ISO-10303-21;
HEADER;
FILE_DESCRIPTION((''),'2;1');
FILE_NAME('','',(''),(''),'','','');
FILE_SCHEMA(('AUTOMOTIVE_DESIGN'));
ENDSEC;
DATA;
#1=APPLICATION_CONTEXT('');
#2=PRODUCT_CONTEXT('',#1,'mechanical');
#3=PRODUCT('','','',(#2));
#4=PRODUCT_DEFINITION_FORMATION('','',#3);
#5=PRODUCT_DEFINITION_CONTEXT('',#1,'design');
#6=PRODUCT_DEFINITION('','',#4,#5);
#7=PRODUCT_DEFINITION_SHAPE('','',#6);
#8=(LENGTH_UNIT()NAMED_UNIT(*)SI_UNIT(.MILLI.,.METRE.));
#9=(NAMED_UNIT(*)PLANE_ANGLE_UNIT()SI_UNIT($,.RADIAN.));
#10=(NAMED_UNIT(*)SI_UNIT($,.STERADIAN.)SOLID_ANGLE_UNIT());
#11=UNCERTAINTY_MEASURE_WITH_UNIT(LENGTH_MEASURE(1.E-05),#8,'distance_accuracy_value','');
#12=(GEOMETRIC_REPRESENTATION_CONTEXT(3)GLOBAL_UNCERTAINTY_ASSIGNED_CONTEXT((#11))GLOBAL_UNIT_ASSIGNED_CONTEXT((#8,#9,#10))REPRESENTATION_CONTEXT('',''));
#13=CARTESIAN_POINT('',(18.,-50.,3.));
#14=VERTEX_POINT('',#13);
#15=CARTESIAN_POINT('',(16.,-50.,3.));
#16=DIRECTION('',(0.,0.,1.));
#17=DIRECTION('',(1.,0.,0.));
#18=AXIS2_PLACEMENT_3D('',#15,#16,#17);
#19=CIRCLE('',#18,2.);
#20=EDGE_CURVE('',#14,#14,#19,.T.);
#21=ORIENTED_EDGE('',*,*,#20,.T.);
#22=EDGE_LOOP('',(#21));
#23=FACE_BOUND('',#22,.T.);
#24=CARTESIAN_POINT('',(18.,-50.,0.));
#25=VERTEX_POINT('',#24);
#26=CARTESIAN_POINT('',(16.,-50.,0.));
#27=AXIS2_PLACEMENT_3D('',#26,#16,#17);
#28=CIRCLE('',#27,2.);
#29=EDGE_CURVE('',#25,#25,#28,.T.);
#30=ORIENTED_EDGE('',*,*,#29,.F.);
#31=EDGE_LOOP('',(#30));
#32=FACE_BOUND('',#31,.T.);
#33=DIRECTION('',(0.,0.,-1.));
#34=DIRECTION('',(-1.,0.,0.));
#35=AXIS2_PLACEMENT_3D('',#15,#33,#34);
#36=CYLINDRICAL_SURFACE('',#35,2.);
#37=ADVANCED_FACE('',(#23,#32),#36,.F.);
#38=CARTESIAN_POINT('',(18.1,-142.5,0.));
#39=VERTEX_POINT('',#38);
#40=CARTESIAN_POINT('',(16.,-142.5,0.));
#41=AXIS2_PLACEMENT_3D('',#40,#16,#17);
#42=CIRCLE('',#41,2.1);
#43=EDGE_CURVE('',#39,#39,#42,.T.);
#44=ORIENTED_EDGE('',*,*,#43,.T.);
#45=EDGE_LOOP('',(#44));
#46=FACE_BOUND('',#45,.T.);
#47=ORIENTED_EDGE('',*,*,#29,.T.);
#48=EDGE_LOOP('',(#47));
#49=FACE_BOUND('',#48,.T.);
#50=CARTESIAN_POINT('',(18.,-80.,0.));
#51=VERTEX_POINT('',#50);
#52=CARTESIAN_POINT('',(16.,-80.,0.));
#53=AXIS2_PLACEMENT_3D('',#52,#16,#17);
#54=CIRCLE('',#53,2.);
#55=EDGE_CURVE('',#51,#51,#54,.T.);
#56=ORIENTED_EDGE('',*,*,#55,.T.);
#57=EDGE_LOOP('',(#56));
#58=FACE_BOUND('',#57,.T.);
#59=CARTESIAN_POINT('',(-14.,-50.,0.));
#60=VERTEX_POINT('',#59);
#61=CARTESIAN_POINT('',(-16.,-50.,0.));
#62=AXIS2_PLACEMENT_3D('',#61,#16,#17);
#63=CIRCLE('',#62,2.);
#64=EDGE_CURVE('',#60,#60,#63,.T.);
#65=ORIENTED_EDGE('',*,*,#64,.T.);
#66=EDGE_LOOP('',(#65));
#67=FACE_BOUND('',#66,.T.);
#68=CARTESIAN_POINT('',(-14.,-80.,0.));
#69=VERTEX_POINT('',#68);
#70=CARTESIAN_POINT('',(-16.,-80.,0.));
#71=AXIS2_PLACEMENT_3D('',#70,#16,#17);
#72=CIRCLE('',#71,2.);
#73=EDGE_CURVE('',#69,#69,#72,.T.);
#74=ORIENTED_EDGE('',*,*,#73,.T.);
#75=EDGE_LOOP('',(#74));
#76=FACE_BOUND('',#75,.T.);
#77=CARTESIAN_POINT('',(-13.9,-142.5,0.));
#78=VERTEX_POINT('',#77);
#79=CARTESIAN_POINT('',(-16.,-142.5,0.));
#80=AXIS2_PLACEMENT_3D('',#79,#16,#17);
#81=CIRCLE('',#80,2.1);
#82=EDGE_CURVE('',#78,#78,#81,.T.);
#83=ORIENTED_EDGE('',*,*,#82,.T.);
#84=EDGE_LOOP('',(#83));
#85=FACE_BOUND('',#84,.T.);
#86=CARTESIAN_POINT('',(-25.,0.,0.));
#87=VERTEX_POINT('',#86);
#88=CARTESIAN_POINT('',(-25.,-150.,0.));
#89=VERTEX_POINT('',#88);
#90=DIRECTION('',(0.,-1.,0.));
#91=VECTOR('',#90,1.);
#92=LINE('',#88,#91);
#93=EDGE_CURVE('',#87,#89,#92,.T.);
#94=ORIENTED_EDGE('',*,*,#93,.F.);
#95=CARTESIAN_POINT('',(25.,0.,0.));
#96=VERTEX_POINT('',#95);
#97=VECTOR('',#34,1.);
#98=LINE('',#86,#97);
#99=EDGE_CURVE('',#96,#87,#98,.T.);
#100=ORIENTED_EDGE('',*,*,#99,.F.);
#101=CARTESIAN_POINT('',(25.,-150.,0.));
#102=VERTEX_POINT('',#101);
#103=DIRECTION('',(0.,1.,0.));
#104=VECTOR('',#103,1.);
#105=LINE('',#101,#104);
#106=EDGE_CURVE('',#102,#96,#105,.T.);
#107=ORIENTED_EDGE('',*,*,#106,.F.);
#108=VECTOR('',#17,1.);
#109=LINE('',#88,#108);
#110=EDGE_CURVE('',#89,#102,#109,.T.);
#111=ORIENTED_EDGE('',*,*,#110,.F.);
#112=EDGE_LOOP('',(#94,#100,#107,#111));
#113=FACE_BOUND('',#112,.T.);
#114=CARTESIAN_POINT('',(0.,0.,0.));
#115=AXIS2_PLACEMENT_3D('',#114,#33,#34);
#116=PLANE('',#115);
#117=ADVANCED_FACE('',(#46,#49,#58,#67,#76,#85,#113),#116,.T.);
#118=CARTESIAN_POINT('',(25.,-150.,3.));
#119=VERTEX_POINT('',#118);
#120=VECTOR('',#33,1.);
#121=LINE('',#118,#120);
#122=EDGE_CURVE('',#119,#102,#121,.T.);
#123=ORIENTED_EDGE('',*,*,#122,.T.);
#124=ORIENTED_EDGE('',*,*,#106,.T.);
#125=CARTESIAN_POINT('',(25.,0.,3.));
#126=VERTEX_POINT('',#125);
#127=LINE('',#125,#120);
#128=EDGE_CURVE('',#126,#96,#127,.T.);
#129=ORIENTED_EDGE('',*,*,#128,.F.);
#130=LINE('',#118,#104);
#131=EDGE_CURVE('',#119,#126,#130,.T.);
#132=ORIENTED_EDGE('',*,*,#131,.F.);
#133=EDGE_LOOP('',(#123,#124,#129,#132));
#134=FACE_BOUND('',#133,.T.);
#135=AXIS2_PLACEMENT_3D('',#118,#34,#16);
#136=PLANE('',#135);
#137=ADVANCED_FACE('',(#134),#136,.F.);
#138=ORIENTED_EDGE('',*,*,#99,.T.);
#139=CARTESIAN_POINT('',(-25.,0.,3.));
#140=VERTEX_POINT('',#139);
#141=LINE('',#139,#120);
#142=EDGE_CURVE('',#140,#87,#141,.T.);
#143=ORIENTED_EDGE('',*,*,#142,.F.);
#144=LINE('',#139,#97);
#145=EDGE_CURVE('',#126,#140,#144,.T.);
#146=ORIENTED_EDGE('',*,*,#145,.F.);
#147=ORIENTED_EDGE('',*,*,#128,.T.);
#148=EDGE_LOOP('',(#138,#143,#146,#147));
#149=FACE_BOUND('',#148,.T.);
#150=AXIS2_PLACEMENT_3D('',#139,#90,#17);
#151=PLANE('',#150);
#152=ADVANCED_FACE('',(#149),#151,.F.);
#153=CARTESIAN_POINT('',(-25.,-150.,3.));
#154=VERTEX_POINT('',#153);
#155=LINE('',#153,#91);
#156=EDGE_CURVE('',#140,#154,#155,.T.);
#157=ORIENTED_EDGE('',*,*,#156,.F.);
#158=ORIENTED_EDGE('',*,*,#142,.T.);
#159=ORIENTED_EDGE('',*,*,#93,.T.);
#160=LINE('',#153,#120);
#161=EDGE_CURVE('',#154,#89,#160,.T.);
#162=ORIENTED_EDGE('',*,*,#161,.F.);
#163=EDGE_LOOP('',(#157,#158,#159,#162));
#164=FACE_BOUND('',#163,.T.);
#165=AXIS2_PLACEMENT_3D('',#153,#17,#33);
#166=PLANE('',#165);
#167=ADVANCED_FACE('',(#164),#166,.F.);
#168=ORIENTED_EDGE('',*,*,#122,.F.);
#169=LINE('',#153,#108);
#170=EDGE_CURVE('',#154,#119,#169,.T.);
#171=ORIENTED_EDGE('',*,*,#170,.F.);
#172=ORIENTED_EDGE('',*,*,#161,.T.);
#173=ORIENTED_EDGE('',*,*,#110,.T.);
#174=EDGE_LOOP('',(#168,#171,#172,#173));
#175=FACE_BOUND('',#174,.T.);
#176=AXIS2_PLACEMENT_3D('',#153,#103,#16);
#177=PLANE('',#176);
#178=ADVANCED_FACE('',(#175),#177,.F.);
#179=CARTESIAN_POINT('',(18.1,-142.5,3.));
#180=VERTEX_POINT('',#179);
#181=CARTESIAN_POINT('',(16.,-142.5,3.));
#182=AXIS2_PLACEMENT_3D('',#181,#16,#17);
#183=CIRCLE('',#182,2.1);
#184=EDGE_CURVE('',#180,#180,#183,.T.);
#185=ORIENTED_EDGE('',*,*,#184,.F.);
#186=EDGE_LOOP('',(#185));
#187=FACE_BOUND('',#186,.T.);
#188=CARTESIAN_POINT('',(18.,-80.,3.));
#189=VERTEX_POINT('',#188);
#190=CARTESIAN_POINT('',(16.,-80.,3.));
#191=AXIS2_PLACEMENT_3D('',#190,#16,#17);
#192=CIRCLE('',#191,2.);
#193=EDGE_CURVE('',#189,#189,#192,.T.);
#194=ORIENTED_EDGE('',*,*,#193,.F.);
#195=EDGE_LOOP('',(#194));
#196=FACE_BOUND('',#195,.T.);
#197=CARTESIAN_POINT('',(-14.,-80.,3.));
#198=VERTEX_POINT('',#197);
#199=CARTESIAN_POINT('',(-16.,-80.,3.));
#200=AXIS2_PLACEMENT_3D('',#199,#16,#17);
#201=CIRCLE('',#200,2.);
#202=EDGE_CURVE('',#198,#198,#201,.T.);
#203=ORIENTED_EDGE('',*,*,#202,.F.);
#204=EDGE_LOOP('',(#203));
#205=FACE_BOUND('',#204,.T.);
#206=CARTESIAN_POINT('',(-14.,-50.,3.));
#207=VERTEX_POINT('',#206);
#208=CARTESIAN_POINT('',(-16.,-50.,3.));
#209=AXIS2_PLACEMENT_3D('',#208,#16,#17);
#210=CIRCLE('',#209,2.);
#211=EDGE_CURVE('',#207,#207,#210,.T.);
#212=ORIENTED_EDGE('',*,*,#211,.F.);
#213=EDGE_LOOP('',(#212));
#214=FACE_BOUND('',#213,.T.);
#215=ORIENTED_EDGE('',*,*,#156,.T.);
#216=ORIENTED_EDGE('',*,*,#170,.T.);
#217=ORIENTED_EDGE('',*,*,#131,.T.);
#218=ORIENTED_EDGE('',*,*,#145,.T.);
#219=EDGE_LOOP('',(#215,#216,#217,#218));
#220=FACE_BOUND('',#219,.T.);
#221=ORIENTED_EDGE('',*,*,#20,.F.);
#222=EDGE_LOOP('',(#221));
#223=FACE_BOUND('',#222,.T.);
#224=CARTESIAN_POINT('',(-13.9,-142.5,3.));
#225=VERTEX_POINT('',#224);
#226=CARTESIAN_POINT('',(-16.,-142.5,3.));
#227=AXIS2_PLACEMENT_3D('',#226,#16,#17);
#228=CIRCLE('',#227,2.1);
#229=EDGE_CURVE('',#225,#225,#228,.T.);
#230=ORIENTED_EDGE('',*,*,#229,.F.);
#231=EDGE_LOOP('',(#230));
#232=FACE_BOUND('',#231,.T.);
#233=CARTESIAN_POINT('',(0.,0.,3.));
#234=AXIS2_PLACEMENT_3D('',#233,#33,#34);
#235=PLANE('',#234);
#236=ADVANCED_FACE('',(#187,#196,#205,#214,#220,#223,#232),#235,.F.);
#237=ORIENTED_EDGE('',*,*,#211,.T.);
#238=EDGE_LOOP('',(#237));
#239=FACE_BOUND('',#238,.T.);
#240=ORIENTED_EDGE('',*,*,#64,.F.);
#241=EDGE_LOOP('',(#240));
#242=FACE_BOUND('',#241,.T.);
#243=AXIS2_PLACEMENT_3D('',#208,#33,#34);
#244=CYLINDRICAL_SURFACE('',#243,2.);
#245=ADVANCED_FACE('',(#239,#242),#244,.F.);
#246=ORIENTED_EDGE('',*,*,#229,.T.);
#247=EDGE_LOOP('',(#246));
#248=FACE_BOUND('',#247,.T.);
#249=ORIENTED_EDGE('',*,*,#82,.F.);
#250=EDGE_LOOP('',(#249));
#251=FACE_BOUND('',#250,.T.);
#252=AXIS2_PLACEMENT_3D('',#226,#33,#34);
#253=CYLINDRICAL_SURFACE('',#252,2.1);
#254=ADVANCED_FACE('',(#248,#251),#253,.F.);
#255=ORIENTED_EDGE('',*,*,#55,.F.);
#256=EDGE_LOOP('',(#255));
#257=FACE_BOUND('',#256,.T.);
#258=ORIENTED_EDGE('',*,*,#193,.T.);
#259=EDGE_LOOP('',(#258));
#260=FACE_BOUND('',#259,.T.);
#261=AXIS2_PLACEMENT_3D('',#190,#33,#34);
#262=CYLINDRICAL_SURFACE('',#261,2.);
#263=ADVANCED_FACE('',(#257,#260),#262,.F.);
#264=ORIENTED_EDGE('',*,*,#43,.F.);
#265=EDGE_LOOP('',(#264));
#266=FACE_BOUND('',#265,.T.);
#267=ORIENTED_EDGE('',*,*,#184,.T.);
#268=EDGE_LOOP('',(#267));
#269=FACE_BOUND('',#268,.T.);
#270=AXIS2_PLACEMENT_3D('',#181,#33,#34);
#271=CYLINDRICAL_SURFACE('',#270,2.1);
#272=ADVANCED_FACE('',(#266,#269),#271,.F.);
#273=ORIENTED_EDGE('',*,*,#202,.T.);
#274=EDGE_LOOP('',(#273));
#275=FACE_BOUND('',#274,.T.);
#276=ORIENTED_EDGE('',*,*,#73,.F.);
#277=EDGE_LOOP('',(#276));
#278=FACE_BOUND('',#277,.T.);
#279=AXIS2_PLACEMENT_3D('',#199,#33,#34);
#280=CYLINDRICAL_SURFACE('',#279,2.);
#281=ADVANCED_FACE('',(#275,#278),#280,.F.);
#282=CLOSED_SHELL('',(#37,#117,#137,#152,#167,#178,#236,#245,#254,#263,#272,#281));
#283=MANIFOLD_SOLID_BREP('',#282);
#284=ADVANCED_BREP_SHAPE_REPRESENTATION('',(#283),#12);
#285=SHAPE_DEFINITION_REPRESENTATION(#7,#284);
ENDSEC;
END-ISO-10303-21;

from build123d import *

# Parameters (mm, degrees)
SKETCH1_W           = 50
SKETCH1_H           = 150
BOSS_EXTRUDE1_DEPTH = 3
SKETCH2_R           = 2
CUT_EXTRUDE2_DEPTH  = 4
SKETCH3_R           = 2.1
CUT_EXTRUDE4_DEPTH  = 4


with BuildPart() as part:
    # Sketch1 → Boss-Extrude1 (new body)
    with BuildSketch(Plane.XY):
        with Locations((0, -75)):
            Rectangle(SKETCH1_W, SKETCH1_H)
    extrude(amount=BOSS_EXTRUDE1_DEPTH)

    # Sketch2 → Cut-Extrude2 (cut, through all)
    with BuildSketch(Plane.XY):
        with Locations((-16, -50)):
            Circle(SKETCH2_R)
        with Locations((16, -50)):
            Circle(SKETCH2_R)
        with Locations((-16, -80)):
            Circle(SKETCH2_R)
        with Locations((16, -80)):
            Circle(SKETCH2_R)
    extrude(amount=CUT_EXTRUDE2_DEPTH, mode=Mode.SUBTRACT)

    # Sketch3 → Cut-Extrude4 (cut, through all)
    with BuildSketch(Plane.XY):
        with Locations((-16, -142.5)):
            Circle(SKETCH3_R)
        with Locations((16, -142.5)):
            Circle(SKETCH3_R)
    extrude(amount=CUT_EXTRUDE4_DEPTH, mode=Mode.SUBTRACT)


solid = part.part
